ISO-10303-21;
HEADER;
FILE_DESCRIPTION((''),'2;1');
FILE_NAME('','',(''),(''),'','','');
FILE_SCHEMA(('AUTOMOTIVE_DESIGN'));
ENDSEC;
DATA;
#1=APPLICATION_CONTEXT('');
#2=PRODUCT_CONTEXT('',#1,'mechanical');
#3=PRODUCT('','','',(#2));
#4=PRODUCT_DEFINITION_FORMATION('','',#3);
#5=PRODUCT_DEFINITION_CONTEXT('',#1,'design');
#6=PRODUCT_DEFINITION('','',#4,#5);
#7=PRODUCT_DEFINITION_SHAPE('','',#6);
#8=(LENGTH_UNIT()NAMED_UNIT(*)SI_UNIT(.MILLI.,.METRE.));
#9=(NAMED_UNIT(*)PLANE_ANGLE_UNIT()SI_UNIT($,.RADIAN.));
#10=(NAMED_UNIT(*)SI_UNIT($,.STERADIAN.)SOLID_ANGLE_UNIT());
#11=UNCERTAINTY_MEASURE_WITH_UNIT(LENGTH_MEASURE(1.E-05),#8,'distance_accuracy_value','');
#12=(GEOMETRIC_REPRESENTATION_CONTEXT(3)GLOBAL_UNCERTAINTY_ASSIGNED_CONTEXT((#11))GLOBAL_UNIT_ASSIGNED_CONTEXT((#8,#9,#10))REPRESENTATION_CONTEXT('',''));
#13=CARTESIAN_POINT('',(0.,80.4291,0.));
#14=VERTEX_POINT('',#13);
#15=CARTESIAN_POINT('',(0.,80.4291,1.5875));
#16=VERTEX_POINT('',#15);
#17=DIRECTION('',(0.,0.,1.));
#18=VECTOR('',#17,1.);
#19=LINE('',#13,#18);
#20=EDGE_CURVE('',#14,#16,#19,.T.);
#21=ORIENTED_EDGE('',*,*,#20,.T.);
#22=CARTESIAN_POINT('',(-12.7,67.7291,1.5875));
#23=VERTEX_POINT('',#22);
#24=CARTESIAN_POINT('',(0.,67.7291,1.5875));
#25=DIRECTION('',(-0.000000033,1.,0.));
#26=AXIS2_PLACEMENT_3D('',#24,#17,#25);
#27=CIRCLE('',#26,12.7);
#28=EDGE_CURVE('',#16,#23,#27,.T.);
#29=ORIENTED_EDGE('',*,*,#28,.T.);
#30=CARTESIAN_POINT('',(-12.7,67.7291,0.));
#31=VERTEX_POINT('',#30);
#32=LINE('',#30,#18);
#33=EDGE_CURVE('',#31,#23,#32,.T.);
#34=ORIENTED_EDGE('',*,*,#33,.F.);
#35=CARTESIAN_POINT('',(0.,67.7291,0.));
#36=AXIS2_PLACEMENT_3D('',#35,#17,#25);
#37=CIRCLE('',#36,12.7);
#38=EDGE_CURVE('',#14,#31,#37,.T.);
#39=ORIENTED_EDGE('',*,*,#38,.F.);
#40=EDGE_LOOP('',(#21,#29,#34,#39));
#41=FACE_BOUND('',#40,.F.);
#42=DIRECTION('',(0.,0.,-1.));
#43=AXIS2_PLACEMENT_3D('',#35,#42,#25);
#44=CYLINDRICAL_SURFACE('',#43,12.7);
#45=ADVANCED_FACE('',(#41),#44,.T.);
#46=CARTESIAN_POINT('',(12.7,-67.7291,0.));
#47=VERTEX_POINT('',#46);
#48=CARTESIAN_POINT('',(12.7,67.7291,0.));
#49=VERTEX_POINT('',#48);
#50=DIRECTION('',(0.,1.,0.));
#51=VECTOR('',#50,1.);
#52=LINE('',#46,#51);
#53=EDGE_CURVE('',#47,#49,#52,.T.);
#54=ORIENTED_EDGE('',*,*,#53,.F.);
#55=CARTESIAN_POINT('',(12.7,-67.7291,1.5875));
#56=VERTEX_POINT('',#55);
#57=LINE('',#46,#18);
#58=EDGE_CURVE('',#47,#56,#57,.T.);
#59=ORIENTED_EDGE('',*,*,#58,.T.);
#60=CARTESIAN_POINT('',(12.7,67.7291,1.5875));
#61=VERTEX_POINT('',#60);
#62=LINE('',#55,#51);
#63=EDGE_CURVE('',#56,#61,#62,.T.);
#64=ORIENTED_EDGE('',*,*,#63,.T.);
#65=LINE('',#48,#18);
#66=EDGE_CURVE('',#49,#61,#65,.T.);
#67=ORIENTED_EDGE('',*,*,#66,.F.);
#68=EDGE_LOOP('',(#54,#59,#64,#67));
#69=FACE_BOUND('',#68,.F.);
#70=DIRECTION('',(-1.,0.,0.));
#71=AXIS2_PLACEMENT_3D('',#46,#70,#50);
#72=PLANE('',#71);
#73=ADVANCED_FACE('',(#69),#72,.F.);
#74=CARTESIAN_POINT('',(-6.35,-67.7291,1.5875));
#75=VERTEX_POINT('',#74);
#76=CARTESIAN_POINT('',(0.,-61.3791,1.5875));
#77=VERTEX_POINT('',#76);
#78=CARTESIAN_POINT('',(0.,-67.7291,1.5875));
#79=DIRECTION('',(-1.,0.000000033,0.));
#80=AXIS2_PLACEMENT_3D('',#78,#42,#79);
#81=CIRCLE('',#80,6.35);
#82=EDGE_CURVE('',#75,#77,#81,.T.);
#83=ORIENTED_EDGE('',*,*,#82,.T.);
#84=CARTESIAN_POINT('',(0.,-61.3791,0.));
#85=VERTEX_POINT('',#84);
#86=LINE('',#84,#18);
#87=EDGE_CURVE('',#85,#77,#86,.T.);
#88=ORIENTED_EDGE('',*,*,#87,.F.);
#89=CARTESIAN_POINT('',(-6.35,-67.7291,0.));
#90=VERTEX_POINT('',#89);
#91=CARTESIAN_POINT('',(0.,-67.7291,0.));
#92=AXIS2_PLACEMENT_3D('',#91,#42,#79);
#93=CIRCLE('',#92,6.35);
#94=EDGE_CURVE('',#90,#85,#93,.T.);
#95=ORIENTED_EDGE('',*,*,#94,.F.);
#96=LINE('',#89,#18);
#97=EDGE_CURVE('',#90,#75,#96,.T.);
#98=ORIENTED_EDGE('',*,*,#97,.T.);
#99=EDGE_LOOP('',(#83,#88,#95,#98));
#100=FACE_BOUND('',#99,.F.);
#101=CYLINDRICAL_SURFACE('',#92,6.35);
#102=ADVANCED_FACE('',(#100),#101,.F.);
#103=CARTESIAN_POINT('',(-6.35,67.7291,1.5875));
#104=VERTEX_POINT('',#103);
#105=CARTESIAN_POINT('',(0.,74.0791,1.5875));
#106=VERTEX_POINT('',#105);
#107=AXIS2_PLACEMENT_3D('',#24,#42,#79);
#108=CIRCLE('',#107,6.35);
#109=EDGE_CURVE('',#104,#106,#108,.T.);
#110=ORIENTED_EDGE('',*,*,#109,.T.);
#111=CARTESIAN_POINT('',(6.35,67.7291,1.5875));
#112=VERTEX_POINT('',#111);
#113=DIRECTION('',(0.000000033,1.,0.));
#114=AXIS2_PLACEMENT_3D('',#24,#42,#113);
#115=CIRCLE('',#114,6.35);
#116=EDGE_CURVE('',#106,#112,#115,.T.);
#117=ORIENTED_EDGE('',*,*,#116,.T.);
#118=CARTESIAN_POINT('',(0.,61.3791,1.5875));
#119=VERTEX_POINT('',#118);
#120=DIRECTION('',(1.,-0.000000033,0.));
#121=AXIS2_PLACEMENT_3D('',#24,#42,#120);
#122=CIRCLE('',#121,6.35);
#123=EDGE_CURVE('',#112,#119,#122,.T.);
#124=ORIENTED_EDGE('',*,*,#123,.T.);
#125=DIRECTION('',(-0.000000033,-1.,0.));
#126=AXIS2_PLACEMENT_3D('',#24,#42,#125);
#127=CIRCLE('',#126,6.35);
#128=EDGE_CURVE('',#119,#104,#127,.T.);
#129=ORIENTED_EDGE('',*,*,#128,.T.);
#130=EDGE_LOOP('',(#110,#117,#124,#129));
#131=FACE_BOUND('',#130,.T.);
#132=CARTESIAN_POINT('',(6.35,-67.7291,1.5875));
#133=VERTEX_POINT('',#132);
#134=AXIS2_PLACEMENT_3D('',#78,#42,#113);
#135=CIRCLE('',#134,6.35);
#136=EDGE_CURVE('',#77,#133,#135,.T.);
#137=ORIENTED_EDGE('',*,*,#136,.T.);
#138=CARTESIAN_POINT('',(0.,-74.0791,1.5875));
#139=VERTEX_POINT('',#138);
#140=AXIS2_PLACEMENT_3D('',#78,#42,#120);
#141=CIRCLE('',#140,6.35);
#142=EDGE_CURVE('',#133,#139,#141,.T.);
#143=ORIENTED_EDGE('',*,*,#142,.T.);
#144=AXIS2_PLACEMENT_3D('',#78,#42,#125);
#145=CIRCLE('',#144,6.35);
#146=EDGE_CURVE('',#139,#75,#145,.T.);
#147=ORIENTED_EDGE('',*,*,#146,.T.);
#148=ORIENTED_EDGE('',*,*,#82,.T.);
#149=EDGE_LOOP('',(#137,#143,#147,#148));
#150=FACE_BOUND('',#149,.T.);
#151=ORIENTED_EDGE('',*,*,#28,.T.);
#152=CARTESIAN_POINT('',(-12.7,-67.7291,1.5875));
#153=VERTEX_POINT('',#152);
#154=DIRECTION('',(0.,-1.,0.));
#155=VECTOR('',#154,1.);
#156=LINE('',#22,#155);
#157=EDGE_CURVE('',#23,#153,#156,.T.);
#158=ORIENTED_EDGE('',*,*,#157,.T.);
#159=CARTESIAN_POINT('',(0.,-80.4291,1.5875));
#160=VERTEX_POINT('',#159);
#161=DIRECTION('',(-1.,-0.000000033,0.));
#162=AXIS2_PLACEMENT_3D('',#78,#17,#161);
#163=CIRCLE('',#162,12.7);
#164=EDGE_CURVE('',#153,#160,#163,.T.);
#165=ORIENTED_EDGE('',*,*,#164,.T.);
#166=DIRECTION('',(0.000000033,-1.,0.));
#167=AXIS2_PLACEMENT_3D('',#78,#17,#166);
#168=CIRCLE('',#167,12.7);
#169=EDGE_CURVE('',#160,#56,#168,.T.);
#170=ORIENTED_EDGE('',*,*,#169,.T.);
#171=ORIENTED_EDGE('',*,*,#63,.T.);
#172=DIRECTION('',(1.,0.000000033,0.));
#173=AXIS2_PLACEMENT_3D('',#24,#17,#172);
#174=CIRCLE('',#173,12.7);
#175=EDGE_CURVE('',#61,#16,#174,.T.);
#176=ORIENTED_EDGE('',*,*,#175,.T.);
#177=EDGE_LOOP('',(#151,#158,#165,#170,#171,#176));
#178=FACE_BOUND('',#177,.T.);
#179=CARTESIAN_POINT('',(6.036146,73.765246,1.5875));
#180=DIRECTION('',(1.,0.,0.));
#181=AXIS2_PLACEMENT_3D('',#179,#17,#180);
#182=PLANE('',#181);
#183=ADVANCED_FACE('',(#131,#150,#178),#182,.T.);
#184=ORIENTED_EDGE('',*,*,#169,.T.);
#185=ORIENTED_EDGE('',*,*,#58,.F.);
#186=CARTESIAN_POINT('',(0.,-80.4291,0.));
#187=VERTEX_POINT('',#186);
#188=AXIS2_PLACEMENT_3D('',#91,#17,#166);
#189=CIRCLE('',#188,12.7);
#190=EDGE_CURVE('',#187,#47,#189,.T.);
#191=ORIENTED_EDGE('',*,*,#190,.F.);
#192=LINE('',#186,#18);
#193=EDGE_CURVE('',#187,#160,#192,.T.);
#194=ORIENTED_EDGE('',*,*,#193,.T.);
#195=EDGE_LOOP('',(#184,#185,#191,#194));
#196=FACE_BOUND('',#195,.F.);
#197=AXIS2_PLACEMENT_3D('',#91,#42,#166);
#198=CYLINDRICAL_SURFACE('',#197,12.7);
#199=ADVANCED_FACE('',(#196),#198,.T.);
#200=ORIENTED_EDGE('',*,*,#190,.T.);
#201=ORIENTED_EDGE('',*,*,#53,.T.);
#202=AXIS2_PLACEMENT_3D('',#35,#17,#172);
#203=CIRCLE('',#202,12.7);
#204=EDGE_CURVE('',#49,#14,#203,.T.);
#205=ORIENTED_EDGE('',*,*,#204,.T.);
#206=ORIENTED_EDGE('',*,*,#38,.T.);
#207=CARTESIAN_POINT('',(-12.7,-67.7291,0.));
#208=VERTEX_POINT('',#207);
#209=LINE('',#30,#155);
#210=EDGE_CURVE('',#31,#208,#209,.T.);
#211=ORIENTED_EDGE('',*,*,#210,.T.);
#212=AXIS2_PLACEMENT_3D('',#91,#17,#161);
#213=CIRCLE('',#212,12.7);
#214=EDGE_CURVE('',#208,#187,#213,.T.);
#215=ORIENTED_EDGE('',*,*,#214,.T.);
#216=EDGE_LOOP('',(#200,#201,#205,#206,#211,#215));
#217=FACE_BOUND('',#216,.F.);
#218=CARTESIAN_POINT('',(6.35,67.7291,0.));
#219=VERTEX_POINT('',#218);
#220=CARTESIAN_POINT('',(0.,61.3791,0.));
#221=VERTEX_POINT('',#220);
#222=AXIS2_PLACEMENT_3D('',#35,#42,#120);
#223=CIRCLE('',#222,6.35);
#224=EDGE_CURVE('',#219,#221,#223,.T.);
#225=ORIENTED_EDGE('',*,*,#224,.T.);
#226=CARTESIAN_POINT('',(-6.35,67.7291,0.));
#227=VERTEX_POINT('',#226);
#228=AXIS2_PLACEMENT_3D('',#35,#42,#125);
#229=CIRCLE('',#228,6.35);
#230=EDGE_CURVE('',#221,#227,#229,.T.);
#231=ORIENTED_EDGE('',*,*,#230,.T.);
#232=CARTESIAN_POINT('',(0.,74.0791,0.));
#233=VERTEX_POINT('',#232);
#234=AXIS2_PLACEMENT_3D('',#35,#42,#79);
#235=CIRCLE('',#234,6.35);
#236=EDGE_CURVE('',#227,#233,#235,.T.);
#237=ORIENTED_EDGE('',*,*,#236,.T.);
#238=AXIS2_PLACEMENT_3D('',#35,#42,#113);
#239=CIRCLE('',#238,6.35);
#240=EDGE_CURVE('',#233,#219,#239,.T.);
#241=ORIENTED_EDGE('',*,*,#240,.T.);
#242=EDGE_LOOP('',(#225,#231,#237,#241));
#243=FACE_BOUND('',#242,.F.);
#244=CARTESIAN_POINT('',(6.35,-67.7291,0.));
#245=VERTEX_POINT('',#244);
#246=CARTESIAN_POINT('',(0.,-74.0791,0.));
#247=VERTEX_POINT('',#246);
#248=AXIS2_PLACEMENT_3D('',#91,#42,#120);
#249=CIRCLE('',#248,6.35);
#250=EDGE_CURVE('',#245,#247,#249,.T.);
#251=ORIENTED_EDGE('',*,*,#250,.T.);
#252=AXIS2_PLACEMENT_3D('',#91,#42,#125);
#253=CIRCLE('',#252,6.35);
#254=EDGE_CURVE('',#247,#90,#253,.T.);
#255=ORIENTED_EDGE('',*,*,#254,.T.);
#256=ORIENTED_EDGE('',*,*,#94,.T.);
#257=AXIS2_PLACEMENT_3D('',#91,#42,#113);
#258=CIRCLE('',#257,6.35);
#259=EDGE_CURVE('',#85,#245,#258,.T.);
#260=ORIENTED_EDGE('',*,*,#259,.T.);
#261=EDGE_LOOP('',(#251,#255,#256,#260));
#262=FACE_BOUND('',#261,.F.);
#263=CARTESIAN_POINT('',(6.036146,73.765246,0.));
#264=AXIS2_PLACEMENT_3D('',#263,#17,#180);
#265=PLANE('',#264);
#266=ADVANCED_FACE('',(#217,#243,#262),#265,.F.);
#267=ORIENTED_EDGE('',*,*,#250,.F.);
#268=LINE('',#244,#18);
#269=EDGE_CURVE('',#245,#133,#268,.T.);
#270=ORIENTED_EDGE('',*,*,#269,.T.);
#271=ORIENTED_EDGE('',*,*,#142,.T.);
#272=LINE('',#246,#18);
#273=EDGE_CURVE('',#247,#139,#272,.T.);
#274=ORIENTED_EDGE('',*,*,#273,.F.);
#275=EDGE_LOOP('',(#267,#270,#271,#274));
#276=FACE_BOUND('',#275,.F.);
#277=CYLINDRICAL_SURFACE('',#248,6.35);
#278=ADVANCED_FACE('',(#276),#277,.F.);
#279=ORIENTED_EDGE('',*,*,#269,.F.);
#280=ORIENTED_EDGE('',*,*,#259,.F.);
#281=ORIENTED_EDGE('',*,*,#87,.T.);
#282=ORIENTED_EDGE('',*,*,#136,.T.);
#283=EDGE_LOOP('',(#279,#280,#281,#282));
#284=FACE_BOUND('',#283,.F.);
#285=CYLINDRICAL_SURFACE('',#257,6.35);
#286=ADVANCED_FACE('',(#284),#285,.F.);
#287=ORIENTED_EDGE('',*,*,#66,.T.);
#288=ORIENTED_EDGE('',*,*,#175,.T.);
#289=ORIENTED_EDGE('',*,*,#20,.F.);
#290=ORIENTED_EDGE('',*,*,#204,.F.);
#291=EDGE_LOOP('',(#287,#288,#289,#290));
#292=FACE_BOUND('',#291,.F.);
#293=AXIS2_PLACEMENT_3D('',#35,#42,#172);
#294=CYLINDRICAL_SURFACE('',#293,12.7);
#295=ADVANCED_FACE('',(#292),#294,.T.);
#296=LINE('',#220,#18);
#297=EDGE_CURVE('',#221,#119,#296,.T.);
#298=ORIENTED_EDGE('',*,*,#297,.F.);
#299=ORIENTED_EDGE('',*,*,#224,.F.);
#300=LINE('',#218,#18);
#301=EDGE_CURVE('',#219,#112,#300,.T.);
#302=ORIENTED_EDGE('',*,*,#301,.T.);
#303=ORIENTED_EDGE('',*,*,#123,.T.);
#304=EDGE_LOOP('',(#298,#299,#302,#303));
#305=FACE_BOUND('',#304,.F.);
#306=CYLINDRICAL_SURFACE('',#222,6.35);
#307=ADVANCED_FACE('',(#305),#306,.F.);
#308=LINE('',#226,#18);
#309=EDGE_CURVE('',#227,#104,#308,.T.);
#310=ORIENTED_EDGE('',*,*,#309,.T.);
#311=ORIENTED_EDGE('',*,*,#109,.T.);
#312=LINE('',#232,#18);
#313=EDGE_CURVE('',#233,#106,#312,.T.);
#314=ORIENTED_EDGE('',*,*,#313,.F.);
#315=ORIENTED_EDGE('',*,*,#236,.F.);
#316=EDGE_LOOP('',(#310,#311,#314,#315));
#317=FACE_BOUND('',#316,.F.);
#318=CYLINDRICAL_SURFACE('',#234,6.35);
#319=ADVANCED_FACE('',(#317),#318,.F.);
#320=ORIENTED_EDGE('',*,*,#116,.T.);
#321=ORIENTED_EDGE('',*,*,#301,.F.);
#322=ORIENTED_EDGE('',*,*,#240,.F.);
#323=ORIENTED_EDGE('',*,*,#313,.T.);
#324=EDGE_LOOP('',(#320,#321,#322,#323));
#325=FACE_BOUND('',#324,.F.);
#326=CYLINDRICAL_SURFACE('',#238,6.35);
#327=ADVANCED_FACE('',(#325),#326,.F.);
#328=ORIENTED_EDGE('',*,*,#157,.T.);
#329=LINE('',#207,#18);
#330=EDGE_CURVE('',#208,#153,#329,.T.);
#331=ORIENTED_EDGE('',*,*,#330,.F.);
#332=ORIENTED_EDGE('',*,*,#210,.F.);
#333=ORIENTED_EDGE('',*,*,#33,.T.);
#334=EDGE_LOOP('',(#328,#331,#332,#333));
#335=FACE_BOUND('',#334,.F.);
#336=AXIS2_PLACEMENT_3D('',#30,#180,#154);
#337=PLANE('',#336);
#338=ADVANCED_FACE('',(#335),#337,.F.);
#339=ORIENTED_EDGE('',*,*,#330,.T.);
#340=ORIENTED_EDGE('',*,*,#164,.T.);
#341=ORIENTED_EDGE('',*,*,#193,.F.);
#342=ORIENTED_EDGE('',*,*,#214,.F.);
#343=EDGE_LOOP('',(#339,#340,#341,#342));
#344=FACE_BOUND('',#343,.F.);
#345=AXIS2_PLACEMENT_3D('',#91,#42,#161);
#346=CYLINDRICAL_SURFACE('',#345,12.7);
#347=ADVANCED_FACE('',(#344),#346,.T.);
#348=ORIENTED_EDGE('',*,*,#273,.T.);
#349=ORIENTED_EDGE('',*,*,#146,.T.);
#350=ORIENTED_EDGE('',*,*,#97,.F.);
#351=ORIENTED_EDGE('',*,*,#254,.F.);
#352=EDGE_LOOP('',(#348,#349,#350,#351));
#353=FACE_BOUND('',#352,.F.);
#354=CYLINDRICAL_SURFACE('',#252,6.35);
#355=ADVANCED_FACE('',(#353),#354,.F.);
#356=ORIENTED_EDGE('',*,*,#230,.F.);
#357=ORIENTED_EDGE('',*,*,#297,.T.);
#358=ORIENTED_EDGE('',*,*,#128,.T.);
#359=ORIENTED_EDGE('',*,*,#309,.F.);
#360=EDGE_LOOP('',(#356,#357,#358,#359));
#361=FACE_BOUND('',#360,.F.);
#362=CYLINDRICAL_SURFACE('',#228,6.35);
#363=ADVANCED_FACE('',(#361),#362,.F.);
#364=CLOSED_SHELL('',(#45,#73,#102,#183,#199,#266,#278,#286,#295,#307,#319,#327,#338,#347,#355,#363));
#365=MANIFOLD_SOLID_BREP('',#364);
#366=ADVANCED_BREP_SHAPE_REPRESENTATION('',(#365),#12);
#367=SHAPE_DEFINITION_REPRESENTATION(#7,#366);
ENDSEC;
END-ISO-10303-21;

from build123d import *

# Parameters (mm, degrees)
F1_DEPTH = 1.5875


with BuildPart() as f1:
    # F0 (on Top) → F1 (new body)
    with BuildSketch(Plane.XY):
        with BuildLine():
            ThreePointArc((0, 74.0791), (4.490128, 72.219228), (6.35, 67.7291))
            Line((6.35, 67.7291), (12.7, 67.7291))
            ThreePointArc((12.7, 67.7291), (8.980256, 76.709356), (0, 80.4291))
            Line((0, 80.4291), (0, 74.0791))
        make_face()
        with BuildLine():
            Line((12.7, 67.7291), (6.35, 67.7291))
            ThreePointArc((6.35, 67.7291), (4.490128, 63.238972), (0, 61.3791))
            Line((0, 61.3791), (0, -61.3791))
            ThreePointArc((0, -61.3791), (4.490128, -63.238972), (6.35, -67.7291))
            Line((6.35, -67.7291), (12.7, -67.7291))
            Line((12.7, -67.7291), (12.7, 67.7291))
        make_face()
        with BuildLine():
            ThreePointArc((-6.35, 67.7291), (-4.490128, 72.219228), (0, 74.0791))
            Line((0, 74.0791), (0, 80.4291))
            ThreePointArc((0, 80.4291), (-8.980256, 76.709356), (-12.7, 67.7291))
            Line((-12.7, 67.7291), (-6.35, 67.7291))
        make_face()
        with BuildLine():
            Line((0, -61.3791), (0, 61.3791))
            ThreePointArc((0, 61.3791), (-4.490128, 63.238972), (-6.35, 67.7291))
            Line((-6.35, 67.7291), (-12.7, 67.7291))
            Line((-12.7, 67.7291), (-12.7, -67.7291))
            Line((-12.7, -67.7291), (-6.35, -67.7291))
            ThreePointArc((-6.35, -67.7291), (-4.490128, -63.238972), (0, -61.3791))
        make_face()
        with BuildLine():
            ThreePointArc((0, -80.4291), (8.980256, -76.709356), (12.7, -67.7291))
            Line((12.7, -67.7291), (6.35, -67.7291))
            ThreePointArc((6.35, -67.7291), (4.490128, -72.219228), (0, -74.0791))
            Line((0, -74.0791), (0, -80.4291))
        make_face()
        with BuildLine():
            ThreePointArc((-12.7, -67.7291), (-8.980256, -76.709356), (0, -80.4291))
            Line((0, -80.4291), (0, -74.0791))
            ThreePointArc((0, -74.0791), (-4.490128, -72.219228), (-6.35, -67.7291))
            Line((-6.35, -67.7291), (-12.7, -67.7291))
        make_face()
    extrude(amount=F1_DEPTH)


solid = f1.part
